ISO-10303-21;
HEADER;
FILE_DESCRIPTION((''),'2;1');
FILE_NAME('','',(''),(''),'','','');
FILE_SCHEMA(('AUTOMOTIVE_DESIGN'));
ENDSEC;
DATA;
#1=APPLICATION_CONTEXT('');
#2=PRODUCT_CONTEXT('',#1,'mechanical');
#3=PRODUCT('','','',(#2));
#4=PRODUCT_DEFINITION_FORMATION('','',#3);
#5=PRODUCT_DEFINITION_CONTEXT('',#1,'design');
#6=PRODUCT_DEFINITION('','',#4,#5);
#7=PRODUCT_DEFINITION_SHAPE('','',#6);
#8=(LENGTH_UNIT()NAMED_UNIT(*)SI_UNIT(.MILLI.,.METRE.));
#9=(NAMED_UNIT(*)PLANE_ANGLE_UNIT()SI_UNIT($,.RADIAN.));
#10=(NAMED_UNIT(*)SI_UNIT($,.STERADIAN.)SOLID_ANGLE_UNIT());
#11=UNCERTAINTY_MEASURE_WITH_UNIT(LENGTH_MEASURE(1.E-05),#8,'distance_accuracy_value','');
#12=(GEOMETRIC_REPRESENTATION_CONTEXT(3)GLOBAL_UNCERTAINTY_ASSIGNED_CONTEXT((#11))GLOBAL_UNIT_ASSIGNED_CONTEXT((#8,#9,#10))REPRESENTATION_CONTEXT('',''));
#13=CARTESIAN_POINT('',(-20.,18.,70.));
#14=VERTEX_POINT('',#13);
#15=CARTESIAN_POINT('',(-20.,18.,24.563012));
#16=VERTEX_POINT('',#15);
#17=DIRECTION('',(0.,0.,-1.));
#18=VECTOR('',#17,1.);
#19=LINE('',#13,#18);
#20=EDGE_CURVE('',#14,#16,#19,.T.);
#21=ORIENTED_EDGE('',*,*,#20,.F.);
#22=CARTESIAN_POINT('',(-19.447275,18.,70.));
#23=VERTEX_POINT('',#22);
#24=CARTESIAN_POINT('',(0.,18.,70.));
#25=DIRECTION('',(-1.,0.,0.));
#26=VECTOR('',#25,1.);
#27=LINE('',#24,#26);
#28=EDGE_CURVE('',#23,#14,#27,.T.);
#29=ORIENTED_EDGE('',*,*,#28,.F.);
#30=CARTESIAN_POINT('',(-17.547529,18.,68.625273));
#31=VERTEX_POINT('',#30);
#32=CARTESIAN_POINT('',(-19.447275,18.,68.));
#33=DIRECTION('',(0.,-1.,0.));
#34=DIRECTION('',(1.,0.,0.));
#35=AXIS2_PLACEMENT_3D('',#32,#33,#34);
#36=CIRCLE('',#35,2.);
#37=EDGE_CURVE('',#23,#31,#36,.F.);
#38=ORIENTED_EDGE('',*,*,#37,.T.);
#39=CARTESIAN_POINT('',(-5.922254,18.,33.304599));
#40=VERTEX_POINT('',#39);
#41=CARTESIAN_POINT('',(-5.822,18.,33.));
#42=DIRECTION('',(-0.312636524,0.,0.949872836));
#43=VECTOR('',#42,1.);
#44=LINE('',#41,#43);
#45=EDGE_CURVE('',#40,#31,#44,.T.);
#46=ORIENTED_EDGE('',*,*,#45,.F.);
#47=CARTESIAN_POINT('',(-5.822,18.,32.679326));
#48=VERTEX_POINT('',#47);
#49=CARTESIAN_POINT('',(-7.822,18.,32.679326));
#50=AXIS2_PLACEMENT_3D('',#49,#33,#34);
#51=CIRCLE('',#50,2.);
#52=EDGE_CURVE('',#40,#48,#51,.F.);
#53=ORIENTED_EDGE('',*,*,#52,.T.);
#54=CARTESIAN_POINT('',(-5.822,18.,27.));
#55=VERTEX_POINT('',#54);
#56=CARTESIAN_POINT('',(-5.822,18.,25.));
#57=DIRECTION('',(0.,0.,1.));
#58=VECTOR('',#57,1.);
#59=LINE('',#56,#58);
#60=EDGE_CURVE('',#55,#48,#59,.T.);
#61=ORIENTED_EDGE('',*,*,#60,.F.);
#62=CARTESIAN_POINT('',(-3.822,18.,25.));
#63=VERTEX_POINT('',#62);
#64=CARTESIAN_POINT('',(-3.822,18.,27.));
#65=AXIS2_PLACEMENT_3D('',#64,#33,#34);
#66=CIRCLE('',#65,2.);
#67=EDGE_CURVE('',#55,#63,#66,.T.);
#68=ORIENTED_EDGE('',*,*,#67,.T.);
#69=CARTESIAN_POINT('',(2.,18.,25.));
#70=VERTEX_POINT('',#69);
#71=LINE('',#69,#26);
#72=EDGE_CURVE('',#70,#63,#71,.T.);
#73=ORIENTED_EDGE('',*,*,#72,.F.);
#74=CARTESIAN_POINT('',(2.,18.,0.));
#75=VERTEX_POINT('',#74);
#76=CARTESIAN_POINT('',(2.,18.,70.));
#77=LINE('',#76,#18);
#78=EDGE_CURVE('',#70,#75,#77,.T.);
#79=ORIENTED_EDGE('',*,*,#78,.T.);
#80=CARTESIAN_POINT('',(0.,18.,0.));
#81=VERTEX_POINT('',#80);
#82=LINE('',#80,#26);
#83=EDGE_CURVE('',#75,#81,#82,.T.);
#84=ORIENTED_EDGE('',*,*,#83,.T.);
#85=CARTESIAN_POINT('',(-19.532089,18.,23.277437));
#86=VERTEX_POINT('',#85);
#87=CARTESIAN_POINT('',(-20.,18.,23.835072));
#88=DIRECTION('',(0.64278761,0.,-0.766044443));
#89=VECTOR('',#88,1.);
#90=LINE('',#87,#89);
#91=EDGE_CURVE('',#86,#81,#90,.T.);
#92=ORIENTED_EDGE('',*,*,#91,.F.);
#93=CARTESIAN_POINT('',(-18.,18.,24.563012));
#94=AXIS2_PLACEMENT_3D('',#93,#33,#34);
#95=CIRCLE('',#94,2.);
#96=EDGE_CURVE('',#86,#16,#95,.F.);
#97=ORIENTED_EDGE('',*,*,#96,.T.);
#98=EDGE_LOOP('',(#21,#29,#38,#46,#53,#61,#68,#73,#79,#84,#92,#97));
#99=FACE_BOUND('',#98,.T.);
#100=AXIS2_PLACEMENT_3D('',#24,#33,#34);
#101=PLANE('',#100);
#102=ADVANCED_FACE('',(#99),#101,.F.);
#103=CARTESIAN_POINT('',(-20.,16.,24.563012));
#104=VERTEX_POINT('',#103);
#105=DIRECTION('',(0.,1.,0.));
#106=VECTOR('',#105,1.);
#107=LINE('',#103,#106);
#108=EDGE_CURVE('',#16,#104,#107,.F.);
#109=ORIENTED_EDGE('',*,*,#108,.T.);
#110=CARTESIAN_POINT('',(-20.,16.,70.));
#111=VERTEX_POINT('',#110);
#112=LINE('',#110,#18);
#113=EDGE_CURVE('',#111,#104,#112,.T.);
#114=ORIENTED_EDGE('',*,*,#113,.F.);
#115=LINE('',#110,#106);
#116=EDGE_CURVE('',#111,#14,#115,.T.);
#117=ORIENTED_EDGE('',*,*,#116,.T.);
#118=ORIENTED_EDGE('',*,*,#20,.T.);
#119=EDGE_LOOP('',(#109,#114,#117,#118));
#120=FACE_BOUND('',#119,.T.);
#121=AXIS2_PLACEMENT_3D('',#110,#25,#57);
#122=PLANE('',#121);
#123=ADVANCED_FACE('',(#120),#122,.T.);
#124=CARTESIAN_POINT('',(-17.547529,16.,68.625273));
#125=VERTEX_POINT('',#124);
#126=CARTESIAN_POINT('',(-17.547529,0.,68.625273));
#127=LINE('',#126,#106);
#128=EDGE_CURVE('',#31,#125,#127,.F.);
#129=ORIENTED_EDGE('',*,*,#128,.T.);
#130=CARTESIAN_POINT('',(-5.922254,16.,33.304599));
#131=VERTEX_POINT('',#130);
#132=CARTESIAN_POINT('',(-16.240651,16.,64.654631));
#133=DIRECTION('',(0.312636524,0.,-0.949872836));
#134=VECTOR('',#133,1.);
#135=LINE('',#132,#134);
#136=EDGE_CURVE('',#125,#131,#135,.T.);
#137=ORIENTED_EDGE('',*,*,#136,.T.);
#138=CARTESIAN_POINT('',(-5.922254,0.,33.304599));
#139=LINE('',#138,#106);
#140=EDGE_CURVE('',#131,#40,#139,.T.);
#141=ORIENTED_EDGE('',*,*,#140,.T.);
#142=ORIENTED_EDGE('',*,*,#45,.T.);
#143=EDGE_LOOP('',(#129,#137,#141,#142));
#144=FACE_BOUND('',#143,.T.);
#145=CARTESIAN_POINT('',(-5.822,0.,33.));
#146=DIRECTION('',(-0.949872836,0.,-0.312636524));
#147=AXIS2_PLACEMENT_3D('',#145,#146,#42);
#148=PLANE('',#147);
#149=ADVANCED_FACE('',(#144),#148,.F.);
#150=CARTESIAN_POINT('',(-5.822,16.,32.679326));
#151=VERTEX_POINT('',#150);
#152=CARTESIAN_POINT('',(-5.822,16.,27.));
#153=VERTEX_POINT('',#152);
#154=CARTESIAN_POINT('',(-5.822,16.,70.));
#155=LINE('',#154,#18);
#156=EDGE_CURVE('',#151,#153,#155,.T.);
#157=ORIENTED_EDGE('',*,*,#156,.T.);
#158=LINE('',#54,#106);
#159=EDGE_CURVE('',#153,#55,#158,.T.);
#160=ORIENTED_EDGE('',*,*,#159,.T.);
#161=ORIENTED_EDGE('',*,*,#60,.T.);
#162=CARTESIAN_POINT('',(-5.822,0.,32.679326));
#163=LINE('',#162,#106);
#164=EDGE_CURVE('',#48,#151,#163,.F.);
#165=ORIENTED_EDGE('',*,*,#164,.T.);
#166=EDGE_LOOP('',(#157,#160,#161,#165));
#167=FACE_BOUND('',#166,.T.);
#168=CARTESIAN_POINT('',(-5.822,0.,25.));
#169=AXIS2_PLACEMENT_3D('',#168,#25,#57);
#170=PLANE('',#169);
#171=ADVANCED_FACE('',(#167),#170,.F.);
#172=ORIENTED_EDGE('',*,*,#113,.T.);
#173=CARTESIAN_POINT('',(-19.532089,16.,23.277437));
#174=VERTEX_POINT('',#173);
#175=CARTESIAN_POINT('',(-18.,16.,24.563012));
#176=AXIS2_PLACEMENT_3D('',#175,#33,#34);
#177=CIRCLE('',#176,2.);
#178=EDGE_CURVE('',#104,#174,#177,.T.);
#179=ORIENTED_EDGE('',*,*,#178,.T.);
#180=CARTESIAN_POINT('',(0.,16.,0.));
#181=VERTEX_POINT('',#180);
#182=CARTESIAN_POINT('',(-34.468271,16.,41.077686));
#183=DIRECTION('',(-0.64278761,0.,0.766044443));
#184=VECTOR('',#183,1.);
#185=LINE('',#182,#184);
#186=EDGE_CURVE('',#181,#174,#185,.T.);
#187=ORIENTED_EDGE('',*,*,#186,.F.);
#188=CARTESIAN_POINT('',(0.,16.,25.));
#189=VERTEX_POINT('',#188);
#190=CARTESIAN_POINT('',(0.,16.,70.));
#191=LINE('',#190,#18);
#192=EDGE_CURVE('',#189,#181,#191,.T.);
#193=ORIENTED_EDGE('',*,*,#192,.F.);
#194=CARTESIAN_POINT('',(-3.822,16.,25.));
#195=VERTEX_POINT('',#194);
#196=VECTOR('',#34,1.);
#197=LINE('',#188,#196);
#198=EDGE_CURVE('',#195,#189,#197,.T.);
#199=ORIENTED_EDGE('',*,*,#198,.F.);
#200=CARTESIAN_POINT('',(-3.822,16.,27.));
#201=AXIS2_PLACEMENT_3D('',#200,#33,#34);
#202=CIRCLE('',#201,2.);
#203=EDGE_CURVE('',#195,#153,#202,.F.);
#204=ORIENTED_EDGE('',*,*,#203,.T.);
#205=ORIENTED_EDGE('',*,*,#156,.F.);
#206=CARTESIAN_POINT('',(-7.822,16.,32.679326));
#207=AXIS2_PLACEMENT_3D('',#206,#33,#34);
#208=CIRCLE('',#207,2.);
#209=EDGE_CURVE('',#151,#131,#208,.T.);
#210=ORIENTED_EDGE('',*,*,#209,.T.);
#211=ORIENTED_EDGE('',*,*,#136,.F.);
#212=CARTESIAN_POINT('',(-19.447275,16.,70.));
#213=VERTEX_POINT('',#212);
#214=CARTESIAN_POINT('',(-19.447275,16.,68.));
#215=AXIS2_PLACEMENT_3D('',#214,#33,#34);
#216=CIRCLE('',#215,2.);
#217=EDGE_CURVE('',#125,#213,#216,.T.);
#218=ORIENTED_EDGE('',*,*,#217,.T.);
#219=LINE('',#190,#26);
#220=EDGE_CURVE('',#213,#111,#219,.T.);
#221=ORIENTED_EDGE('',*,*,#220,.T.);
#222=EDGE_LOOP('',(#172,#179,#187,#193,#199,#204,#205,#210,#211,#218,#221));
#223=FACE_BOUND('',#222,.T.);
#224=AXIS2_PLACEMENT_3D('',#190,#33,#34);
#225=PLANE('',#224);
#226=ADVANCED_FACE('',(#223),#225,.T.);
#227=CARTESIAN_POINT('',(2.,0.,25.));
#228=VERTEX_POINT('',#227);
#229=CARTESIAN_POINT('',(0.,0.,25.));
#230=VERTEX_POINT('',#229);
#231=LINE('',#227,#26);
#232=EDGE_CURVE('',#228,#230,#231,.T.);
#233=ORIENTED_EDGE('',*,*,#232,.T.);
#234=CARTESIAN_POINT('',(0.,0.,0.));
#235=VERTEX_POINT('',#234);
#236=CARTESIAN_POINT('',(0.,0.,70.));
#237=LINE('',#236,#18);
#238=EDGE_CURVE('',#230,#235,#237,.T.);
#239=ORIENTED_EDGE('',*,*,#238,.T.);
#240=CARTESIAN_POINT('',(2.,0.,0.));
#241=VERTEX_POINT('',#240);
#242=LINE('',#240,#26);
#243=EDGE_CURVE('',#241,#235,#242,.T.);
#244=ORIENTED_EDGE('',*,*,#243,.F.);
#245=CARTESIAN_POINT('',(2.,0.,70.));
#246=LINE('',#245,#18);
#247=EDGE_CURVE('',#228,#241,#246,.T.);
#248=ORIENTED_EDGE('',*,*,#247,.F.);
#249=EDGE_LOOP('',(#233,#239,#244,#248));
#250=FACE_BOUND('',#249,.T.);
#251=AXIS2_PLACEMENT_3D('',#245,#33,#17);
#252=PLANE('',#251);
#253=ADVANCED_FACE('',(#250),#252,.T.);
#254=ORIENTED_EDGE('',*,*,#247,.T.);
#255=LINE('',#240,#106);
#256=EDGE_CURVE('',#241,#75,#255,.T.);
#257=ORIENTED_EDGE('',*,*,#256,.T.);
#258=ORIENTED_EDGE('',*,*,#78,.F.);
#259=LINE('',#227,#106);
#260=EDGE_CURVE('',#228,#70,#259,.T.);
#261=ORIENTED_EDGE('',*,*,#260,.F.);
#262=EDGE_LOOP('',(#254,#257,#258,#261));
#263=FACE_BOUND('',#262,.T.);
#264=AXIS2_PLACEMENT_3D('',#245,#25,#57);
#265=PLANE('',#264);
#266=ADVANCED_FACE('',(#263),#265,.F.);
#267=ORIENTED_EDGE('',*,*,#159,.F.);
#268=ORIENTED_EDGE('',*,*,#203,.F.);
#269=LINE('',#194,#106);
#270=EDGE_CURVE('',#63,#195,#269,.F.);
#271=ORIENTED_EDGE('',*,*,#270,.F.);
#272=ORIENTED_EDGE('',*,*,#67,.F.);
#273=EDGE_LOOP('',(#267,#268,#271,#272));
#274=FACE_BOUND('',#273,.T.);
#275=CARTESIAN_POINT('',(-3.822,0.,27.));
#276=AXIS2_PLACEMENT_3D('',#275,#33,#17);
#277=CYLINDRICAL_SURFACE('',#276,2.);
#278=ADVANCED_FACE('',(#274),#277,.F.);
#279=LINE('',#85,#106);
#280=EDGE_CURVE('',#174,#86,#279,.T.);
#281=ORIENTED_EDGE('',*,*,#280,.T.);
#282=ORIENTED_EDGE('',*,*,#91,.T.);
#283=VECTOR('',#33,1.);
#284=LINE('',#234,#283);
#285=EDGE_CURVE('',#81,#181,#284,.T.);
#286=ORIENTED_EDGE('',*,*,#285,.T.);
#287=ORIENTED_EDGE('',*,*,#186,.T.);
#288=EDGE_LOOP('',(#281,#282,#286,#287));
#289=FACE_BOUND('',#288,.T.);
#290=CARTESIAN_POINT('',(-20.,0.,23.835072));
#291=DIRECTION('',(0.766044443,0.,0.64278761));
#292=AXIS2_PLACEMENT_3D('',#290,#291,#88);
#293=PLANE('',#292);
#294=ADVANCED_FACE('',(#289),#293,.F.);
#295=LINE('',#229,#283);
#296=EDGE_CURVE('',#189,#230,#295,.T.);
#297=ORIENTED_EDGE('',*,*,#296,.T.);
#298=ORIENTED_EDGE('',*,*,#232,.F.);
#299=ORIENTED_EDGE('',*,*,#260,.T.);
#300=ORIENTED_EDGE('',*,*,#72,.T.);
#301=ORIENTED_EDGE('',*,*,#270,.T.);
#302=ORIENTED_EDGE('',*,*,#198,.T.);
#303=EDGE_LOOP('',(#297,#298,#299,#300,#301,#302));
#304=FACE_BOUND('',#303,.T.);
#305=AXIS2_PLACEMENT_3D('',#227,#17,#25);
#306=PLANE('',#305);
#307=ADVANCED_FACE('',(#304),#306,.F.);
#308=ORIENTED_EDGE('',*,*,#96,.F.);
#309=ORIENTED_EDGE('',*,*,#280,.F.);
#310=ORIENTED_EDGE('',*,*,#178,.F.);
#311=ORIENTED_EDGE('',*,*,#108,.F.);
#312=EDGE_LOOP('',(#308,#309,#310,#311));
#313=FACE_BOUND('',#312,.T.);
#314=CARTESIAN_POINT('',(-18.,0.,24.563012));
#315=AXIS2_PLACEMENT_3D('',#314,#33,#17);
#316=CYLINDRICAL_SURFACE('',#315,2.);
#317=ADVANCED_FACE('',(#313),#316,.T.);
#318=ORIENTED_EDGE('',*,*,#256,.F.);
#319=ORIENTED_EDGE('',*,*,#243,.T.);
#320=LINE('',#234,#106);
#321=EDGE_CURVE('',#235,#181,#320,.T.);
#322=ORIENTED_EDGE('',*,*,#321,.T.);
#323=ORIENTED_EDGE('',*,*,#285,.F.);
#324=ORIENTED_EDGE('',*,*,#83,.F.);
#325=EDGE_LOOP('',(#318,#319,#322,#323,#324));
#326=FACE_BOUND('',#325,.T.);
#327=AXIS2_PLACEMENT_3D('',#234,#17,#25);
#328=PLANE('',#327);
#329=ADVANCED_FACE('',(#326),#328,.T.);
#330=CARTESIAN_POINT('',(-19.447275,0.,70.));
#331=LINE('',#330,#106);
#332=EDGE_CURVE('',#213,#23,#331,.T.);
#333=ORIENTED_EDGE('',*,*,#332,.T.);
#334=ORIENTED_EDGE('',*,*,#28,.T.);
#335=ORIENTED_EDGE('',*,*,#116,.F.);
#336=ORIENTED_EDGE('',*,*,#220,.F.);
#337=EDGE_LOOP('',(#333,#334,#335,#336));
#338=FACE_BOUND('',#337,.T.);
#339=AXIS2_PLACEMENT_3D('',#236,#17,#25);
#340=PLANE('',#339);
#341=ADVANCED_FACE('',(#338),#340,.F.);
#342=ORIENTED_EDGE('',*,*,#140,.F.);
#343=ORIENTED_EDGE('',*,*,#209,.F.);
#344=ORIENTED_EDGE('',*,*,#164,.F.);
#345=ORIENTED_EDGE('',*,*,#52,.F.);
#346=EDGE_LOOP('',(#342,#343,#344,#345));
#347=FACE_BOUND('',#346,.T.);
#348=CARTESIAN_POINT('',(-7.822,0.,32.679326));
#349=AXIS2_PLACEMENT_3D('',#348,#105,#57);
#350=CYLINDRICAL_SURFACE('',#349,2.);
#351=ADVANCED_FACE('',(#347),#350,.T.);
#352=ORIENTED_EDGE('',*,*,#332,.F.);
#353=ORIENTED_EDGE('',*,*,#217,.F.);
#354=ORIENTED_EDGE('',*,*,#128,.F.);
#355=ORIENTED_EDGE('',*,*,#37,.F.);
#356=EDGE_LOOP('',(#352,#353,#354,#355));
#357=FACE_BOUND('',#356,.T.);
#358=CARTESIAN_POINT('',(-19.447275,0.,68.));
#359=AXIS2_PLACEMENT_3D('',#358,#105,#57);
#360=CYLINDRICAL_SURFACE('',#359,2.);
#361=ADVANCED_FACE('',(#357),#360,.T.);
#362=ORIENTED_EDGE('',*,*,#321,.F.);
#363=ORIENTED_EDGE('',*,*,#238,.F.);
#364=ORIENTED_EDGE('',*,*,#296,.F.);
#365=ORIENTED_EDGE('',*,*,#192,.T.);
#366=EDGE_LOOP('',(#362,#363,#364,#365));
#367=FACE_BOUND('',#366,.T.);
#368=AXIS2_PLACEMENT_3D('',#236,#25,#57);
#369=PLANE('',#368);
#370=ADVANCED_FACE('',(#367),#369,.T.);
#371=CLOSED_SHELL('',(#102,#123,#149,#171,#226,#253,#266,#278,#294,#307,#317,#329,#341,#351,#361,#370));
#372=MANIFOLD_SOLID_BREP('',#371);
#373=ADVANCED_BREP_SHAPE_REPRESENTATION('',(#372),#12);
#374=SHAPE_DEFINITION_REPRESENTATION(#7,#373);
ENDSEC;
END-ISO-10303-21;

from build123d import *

# Parameters (mm, degrees)
EXTRUDE_THIN1_DEPTH = 70
CUT_EXTRUDE1_DEPTH  = 19
CUT_EXTRUDE2_DEPTH  = 19
FILLET1_R           = 2


with BuildPart() as part:
    # Sketch1 → Extrude-Thin1 (new body)
    with BuildSketch(Plane.XY):
        Polygon((0, 0), (0, 16), (-20, 16), (-20, 18), (2, 18), (2, 0), align=None)
    extrude(amount=EXTRUDE_THIN1_DEPTH)

    # Sketch2 → Cut-Extrude1 (cut, through all)
    with BuildSketch(Plane(origin=(0, 18, 0), x_dir=(1, 0, 0), z_dir=(0, 1, 0))):
        Polygon((2, -25), (-5.822, -25), (-5.822, -33), (-18, -70), (2, -70), align=None)
    extrude(amount=-CUT_EXTRUDE1_DEPTH, mode=Mode.SUBTRACT)

    # Sketch3 → Cut-Extrude2 (cut, through all)
    with BuildSketch(Plane(origin=(0, 18, 0), x_dir=(1, 0, 0), z_dir=(0, 1, 0))):
        Polygon((-20, -23.835071852), (0, 0), (-20, 0), align=None)
    extrude(amount=-CUT_EXTRUDE2_DEPTH, mode=Mode.SUBTRACT)

    # Fillet1
    fillet1_edges = [part.edges().sort_by_distance(p)[0] for p in [
        (-18, 17, 70),
        (-5.822, 17, 33),
        (-5.822, 17, 25),
        (-20, 17, 23.835071852),
    ]]
    fillet(fillet1_edges, radius=FILLET1_R)


solid = part.part
